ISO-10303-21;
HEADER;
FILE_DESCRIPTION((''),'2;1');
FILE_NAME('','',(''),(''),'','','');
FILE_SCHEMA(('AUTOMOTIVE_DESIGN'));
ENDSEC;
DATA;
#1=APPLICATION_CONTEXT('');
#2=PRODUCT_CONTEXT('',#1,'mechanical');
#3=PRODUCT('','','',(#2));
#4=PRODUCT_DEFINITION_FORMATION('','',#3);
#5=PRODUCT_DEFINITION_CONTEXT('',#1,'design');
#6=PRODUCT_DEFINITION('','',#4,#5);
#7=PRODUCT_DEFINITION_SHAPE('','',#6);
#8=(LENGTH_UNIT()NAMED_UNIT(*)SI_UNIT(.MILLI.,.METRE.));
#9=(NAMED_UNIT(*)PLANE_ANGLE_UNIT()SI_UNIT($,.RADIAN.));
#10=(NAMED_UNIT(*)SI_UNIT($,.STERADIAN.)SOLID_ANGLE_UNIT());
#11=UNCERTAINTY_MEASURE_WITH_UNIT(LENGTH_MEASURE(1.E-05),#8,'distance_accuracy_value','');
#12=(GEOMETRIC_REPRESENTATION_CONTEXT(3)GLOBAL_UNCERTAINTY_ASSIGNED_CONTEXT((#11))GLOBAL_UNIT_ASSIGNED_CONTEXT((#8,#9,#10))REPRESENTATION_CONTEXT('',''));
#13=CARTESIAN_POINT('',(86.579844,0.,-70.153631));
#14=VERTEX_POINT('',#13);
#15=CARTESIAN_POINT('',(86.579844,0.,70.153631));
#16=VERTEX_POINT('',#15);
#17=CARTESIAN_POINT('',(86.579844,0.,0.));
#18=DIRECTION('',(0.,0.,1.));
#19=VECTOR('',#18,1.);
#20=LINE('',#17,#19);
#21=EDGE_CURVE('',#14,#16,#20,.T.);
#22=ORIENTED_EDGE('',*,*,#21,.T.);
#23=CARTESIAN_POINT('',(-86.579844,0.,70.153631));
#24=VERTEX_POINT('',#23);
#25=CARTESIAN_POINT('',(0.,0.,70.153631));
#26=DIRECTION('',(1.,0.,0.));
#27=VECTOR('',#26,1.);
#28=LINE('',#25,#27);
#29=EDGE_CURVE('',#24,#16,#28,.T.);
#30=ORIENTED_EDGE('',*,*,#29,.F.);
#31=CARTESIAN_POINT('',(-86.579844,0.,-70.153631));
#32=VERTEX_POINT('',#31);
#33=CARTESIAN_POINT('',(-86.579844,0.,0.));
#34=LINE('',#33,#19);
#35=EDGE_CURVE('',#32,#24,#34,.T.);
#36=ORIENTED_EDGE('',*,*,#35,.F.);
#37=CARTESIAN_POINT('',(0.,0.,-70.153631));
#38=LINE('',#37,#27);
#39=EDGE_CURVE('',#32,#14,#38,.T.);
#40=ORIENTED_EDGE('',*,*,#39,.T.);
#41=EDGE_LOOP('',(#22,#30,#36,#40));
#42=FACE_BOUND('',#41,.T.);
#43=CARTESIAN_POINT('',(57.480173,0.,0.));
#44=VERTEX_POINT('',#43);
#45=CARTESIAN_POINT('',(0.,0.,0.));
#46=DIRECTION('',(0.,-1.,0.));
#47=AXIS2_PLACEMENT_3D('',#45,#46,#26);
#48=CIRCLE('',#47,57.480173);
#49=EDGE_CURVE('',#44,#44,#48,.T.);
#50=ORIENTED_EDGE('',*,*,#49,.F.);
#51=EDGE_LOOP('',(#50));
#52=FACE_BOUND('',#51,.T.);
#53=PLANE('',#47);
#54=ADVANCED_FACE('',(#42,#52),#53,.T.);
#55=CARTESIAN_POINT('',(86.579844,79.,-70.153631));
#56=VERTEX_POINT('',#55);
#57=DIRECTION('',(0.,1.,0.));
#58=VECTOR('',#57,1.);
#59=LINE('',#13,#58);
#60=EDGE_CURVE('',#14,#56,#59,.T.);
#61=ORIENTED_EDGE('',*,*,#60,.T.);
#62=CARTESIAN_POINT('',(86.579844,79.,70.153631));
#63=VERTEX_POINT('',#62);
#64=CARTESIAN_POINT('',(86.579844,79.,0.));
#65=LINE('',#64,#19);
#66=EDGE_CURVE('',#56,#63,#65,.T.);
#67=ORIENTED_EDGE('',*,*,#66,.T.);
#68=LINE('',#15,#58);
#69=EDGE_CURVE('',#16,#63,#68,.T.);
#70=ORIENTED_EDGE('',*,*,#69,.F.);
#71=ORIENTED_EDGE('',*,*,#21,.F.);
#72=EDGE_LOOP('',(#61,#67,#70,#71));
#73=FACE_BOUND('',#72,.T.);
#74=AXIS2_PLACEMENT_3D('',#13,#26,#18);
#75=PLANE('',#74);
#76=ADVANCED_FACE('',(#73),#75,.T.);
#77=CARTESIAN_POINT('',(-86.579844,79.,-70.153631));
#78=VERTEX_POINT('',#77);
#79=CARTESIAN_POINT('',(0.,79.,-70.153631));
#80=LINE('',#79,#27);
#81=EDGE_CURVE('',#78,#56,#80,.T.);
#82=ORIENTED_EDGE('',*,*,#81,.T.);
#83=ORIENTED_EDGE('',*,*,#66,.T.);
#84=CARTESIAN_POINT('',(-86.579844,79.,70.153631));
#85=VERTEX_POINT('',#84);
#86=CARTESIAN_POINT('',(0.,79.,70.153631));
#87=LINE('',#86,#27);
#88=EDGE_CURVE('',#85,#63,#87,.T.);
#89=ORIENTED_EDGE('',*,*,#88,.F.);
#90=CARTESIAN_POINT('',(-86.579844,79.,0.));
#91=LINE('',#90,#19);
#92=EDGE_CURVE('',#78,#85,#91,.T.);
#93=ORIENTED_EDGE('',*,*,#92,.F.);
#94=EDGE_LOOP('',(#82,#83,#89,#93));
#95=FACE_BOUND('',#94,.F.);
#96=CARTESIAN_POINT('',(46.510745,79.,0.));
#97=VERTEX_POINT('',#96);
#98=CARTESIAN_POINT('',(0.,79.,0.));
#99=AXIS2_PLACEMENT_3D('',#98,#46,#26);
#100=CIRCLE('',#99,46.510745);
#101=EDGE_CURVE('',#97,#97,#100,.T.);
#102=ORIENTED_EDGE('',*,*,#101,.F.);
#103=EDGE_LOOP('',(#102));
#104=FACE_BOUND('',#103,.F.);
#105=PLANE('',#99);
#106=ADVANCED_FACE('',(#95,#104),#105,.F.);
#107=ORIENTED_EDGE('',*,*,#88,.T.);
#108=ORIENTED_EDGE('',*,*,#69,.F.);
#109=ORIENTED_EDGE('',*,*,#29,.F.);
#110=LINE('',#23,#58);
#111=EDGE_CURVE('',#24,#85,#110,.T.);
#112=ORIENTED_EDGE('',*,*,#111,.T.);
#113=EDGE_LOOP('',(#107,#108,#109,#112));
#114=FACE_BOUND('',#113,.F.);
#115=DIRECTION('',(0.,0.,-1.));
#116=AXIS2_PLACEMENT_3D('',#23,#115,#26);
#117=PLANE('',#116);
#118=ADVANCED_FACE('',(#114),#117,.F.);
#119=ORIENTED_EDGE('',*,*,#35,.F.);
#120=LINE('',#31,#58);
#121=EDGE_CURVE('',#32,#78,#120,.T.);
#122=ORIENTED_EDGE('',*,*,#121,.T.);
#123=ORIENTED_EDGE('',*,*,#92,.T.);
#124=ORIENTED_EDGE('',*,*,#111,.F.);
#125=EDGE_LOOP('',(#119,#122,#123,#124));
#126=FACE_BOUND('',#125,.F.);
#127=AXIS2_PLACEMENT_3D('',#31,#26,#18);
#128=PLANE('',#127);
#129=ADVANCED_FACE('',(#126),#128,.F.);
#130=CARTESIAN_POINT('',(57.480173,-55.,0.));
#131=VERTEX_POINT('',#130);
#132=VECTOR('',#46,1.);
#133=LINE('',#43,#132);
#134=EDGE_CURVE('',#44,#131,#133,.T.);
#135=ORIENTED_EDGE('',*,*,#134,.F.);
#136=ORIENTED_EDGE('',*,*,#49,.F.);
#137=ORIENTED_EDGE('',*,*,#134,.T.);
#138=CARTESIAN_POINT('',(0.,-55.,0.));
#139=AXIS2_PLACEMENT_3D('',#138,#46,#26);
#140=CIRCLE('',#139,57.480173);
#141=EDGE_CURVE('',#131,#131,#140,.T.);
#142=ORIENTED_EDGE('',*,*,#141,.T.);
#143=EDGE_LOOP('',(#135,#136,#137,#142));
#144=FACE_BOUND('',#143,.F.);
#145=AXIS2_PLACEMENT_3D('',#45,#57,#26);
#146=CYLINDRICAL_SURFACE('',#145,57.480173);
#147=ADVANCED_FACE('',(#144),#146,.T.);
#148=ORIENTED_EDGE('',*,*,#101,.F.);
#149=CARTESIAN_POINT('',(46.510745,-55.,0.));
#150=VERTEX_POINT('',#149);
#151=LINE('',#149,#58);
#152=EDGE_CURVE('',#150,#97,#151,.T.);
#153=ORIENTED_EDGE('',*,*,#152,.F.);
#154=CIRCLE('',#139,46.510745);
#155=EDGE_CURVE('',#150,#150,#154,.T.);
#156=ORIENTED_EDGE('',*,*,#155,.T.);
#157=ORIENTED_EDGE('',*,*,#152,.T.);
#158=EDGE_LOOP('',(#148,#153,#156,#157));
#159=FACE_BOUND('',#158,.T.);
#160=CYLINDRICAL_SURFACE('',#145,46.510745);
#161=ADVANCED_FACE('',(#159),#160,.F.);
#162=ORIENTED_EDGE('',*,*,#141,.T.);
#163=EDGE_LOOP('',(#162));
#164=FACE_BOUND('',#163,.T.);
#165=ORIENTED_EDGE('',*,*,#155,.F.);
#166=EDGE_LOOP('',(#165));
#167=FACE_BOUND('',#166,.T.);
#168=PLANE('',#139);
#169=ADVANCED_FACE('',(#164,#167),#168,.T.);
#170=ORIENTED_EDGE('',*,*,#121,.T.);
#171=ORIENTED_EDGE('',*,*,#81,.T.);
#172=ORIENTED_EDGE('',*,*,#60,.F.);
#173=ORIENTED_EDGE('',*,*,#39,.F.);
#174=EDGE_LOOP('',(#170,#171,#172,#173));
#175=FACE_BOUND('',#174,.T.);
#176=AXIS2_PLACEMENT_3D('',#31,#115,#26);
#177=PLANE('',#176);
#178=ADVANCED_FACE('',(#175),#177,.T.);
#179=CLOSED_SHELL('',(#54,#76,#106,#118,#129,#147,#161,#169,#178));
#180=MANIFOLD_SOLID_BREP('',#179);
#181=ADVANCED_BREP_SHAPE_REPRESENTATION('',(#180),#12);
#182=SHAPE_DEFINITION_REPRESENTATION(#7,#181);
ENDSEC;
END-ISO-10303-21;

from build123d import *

# Parameters (mm, degrees)
F0_W     = 173.159688
F0_H     = 140.307262
F0_R     = 46.510745
F1_DEPTH = 79
F2_R     = 57.480173
F2_R_2   = 46.510745
F3_DEPTH = 55


with BuildPart() as f1:
    # F0 (on Front) → F1 (new body)
    with BuildSketch(Plane.XZ):
        Rectangle(F0_W, F0_H)
        Circle(F0_R, mode=Mode.SUBTRACT)
    extrude(amount=-F1_DEPTH)

    # F2 (on face) → F3 (join)
    with BuildSketch(Plane.XZ):
        Circle(F2_R)
        Circle(F2_R_2, mode=Mode.SUBTRACT)
    extrude(amount=F3_DEPTH)


solid = f1.part
